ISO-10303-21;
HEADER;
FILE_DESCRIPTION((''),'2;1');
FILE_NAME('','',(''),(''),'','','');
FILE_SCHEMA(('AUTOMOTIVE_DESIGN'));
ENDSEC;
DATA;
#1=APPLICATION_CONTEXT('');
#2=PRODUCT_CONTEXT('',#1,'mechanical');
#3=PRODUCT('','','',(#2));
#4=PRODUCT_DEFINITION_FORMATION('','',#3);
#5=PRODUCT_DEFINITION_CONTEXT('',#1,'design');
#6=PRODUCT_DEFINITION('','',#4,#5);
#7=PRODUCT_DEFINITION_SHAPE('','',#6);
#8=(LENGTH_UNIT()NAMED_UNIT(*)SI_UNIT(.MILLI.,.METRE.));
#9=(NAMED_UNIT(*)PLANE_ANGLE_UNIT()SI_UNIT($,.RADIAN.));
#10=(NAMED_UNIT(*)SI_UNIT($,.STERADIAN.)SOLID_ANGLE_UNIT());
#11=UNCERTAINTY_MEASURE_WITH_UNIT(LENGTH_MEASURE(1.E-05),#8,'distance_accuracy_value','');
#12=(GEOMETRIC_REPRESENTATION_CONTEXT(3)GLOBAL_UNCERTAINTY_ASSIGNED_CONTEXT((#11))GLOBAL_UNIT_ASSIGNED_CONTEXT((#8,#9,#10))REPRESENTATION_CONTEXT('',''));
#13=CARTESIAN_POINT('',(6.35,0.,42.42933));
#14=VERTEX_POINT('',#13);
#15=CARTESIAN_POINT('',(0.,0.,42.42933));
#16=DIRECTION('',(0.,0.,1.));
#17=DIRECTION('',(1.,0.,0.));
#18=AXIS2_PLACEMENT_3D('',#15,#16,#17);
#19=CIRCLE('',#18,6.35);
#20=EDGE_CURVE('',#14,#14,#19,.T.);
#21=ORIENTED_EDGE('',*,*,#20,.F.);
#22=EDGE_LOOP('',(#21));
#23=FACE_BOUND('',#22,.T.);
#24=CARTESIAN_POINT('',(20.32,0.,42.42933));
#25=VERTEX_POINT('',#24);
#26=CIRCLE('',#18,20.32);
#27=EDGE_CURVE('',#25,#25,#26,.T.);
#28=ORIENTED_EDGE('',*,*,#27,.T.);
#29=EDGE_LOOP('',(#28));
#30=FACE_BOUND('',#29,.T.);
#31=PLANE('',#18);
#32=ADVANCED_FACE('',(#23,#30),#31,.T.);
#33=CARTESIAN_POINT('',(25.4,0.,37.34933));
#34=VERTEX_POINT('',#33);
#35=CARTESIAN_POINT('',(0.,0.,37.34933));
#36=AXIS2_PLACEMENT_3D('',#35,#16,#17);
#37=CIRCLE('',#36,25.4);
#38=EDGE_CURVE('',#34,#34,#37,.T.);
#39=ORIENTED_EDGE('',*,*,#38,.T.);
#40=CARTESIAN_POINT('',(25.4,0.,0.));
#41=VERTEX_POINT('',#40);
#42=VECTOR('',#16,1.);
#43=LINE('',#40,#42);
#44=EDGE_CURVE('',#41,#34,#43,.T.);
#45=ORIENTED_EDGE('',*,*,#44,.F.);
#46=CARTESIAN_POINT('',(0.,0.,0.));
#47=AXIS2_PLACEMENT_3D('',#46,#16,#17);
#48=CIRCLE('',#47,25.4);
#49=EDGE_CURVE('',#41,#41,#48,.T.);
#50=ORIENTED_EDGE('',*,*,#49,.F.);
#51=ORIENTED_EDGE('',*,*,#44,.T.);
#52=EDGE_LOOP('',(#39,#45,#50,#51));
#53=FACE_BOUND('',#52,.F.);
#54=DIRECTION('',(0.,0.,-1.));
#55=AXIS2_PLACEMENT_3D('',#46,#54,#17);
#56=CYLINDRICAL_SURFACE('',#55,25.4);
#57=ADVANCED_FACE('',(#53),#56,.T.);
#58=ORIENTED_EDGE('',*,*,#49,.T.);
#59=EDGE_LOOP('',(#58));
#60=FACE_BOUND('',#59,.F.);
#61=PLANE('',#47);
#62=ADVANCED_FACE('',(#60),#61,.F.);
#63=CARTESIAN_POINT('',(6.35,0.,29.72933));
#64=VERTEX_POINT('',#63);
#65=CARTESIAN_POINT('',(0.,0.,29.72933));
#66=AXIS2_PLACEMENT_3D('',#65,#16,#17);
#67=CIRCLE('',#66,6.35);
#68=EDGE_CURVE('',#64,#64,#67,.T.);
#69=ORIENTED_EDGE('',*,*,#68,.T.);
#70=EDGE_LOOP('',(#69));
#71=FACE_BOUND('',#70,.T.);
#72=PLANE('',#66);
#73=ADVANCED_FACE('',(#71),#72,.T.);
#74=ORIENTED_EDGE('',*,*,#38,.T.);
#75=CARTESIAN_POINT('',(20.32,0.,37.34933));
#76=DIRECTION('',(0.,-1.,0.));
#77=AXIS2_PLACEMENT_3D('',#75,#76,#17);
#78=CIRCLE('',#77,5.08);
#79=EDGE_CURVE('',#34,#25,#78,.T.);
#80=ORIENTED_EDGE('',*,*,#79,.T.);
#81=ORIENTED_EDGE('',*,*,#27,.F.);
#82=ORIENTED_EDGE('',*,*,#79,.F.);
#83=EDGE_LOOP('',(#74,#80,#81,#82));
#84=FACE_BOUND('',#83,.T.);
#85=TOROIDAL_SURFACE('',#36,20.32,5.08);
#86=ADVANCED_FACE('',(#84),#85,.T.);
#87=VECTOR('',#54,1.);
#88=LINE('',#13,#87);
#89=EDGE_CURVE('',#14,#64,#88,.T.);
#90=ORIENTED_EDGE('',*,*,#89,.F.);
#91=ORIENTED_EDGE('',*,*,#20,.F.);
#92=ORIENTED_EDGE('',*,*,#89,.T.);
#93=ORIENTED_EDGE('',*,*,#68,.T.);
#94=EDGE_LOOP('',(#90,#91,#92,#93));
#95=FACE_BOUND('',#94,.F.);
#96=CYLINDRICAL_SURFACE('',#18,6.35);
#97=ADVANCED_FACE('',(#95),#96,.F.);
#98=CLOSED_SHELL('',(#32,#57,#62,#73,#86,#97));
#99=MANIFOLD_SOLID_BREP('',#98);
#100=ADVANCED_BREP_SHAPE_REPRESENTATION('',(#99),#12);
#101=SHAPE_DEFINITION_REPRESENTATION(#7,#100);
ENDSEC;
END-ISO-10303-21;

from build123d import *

# Parameters (mm, degrees)
F0_R     = 25.4
F1_DEPTH = 42.42933
F2_R     = 6.35
F3_DEPTH = 12.7
F4_R     = 5.08


with BuildPart() as f1:
    # F0 (on Top) → F1 (new body)
    with BuildSketch(Plane.XY):
        Circle(F0_R)
    extrude(amount=F1_DEPTH)

    # F2 (on face) → F3 (cut)
    with BuildSketch(Plane.XY.offset(42.42933)):
        Circle(F2_R)
    extrude(amount=-F3_DEPTH, mode=Mode.SUBTRACT)

    # F4
    f4_edges = [f1.edges().sort_by_distance(p)[0] for p in [
        (-25.4, 0, 42.42933),
    ]]
    fillet(f4_edges, radius=F4_R)


solid = f1.part
